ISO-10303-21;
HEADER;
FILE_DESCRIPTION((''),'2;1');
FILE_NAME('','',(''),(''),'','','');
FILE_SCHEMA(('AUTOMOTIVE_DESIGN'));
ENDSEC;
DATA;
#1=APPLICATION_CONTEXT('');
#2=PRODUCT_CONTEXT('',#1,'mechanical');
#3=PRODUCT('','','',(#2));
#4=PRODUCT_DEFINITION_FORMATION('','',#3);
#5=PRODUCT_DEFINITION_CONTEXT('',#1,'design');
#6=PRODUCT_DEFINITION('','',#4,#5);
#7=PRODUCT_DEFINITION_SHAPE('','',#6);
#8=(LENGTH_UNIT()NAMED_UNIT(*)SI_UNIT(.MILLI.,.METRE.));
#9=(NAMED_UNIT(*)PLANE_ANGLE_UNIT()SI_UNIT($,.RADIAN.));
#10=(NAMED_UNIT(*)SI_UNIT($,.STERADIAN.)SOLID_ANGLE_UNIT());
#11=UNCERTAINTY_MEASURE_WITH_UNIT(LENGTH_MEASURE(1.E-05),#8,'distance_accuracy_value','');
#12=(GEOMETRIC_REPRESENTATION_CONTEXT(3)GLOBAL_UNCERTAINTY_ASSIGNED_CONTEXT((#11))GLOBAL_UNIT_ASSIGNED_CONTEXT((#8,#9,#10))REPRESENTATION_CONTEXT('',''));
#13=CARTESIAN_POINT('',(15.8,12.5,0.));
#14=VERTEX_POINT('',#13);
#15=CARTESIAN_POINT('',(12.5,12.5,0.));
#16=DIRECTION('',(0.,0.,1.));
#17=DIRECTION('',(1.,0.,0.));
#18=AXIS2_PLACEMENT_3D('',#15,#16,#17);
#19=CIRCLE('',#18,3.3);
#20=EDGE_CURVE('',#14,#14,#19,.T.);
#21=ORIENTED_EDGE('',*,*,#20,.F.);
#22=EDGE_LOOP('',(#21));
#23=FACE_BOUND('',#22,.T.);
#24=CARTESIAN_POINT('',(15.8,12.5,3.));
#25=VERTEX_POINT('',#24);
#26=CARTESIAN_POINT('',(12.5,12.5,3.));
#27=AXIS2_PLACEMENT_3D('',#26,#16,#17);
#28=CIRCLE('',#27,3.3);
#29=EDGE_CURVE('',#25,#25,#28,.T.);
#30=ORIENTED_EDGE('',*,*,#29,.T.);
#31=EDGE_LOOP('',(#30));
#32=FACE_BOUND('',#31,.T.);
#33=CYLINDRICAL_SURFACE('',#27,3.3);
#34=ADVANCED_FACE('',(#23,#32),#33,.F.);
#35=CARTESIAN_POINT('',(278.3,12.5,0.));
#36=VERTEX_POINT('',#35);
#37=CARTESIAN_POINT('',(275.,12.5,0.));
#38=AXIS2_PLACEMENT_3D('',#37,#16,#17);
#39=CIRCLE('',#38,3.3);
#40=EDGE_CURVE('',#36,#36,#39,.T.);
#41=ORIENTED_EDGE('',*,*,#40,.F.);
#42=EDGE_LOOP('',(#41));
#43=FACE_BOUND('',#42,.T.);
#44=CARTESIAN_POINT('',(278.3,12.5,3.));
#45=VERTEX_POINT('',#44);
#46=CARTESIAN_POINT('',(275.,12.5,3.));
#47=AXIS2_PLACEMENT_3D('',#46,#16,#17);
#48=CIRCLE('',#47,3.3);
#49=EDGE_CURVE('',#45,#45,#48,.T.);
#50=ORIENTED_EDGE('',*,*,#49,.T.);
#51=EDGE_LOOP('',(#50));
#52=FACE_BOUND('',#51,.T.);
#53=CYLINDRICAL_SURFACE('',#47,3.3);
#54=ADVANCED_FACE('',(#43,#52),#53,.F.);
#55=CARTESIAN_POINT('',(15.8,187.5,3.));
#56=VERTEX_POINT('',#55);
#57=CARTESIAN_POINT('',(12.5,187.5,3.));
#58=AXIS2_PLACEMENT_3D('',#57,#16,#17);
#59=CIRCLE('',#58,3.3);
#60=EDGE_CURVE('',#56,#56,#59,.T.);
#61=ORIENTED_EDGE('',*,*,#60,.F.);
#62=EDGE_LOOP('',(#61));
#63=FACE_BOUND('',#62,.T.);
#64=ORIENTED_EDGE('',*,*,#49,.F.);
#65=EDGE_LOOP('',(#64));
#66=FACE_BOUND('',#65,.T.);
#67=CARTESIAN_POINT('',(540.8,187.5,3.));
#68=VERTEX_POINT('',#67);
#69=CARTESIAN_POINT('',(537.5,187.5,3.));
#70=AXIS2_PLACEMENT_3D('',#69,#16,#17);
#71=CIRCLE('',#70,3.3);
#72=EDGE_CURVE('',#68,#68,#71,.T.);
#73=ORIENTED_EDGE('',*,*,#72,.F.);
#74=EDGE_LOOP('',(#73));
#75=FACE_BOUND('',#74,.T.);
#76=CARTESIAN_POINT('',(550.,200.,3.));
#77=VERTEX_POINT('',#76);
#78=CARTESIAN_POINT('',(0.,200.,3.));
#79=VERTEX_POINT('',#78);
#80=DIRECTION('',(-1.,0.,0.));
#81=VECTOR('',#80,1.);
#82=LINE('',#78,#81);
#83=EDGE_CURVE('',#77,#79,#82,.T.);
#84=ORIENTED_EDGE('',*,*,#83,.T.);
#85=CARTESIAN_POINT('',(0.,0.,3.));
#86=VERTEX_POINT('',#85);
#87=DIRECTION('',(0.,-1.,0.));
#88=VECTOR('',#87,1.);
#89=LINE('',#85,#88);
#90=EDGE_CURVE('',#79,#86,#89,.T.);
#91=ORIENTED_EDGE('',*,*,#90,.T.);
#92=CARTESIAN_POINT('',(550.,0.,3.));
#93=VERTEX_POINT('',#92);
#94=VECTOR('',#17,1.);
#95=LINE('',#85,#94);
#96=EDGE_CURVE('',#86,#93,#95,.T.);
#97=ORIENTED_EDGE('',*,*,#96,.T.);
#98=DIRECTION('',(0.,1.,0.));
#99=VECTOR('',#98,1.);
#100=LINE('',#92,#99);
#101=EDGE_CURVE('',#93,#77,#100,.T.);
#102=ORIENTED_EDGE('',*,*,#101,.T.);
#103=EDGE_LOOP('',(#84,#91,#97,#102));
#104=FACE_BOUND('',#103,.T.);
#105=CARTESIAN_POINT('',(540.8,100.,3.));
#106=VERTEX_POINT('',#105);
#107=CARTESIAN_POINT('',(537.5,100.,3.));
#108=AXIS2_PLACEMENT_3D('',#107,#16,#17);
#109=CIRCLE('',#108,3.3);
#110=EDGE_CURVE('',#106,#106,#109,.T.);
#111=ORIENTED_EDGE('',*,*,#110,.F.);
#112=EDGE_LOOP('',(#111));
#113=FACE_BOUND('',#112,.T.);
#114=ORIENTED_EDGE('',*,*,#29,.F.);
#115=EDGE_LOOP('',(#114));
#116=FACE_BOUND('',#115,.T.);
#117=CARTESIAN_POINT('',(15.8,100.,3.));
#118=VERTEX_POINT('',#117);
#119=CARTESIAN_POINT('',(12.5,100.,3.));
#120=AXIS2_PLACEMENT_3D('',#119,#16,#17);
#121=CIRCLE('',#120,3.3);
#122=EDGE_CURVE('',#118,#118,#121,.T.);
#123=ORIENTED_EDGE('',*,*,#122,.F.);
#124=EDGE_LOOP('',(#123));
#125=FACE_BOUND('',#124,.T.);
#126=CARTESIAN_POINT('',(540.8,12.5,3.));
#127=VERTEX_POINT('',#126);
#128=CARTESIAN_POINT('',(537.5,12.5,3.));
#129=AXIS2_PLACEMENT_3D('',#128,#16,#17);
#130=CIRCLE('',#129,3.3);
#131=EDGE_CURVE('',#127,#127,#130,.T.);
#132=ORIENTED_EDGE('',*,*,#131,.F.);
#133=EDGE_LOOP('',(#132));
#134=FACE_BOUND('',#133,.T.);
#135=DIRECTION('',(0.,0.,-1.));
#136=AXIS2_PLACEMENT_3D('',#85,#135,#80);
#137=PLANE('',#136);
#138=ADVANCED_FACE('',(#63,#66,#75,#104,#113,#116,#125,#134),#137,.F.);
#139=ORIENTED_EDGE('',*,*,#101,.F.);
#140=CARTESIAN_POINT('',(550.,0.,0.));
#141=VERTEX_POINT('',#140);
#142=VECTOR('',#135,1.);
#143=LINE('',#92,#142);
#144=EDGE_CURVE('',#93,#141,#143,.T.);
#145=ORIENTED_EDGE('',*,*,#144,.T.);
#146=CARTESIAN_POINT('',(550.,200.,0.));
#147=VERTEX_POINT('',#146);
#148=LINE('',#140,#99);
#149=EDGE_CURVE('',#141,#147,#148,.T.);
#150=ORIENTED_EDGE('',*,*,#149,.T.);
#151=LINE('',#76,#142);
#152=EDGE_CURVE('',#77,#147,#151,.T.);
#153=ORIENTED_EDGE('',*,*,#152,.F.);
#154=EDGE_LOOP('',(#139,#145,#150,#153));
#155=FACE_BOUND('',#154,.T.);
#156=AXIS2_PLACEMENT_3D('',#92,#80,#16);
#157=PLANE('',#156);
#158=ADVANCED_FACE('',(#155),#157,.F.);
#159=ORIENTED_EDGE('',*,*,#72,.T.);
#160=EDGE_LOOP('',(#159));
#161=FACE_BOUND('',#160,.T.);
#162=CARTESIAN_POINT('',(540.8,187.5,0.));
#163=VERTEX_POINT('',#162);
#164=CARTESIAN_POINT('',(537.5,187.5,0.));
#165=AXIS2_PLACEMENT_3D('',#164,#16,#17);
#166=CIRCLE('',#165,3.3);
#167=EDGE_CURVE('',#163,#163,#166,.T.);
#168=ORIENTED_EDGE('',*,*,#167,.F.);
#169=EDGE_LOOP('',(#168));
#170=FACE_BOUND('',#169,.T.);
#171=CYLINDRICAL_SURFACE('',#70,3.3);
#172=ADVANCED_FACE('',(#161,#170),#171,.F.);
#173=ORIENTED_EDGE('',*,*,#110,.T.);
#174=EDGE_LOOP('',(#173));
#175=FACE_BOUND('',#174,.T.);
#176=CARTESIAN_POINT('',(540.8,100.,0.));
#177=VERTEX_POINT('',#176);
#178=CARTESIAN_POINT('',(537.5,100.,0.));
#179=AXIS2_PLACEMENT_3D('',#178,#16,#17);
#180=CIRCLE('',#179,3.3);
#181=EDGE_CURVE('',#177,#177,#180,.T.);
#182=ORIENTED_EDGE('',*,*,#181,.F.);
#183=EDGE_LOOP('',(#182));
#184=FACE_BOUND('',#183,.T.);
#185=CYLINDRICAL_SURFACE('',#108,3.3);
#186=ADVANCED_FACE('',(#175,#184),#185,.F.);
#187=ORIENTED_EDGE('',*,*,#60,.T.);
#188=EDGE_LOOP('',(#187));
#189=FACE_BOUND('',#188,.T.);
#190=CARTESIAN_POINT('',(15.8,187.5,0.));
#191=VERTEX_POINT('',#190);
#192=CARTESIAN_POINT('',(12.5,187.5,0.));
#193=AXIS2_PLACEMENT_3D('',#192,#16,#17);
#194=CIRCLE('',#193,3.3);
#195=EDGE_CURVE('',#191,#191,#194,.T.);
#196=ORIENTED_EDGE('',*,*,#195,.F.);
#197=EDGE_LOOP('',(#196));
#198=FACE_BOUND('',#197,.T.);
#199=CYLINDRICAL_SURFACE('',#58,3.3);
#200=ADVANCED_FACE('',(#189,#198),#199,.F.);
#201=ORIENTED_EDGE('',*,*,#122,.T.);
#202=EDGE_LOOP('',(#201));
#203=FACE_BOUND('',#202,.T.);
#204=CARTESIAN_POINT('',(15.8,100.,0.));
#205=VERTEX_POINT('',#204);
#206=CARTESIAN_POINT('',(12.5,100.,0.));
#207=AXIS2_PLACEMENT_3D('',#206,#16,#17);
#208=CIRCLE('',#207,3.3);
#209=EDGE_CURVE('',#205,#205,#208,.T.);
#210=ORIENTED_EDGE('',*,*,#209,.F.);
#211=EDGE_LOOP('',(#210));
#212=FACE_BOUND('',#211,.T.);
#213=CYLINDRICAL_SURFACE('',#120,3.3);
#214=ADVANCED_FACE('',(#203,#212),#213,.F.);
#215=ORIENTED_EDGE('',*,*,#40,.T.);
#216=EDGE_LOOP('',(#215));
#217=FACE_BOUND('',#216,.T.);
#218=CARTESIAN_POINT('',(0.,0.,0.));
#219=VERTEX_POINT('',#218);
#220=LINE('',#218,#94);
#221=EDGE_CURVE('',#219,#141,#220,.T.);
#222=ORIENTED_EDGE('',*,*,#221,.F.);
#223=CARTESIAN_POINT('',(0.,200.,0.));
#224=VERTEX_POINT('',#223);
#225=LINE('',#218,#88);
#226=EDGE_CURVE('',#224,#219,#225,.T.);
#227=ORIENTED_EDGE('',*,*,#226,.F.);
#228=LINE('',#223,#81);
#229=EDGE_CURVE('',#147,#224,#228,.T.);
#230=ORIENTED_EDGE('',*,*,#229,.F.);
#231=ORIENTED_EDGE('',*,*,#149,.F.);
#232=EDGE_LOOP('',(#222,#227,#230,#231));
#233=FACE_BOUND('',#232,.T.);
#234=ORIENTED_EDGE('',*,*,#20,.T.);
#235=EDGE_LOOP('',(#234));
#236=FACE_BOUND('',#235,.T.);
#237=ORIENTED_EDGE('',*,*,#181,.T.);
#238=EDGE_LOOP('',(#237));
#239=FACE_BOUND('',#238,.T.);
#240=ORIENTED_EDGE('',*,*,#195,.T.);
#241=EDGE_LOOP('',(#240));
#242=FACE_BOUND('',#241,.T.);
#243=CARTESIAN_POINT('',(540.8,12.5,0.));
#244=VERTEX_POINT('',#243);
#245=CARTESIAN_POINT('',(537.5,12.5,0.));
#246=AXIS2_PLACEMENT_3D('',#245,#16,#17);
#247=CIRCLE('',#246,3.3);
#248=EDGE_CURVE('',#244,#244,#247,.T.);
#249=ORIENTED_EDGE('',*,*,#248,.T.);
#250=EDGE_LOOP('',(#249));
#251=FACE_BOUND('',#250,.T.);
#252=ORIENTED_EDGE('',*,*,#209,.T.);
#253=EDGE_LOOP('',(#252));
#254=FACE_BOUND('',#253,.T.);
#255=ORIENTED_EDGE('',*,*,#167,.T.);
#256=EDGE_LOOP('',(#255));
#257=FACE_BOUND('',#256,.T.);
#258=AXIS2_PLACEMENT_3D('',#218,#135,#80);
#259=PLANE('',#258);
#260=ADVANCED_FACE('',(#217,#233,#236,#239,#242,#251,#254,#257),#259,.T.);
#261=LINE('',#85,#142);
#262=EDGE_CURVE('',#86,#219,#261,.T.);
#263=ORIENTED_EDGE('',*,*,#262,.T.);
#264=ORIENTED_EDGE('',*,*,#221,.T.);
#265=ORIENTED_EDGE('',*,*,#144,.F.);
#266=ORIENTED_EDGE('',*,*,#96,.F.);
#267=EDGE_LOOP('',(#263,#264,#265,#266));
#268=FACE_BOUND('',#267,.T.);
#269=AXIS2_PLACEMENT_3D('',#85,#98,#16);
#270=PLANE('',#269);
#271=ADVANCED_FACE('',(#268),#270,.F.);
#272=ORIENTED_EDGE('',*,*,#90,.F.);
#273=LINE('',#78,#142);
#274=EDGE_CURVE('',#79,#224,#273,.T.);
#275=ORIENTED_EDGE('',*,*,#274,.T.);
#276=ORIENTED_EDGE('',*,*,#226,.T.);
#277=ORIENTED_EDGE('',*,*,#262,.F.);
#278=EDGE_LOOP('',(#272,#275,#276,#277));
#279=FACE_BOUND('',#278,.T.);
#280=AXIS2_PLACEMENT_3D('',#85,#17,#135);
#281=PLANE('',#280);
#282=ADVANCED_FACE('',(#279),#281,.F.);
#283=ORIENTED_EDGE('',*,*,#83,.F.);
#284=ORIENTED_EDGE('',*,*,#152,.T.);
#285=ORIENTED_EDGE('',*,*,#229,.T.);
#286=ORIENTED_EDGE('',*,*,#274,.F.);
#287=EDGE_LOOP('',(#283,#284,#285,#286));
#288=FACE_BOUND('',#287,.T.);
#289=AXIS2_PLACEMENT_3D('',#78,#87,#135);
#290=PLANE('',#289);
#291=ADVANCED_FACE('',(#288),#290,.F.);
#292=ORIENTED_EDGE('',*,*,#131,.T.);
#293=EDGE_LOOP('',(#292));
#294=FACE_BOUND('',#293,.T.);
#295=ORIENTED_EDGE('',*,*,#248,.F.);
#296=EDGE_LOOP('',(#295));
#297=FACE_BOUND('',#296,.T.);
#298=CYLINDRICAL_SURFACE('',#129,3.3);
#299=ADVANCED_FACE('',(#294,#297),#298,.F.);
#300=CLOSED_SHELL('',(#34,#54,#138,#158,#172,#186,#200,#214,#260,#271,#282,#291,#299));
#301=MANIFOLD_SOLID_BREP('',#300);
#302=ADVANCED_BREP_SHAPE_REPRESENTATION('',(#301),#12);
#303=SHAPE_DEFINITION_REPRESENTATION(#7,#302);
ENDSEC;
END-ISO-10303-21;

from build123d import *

# Parameters (mm, degrees)
SKETCH1_W            = 550
SKETCH1_H            = 200
BOSS_EXTRUDE1_DEPTH  = 3
M6_CLEARANCE_HOLE1_D = 6.6


with BuildPart() as part:
    # Sketch1 → Boss-Extrude1 (new body)
    with BuildSketch(Plane.XY):
        with Locations((275, 100)):
            Rectangle(SKETCH1_W, SKETCH1_H)
    extrude(amount=BOSS_EXTRUDE1_DEPTH)

    # M6 Clearance Hole1 (through all)
    with Locations(Plane.XY.offset(3)):
        with Locations((12.5, 100), (12.5, 187.5), (12.5, 12.5), (275, 12.5), (537.5, 12.5), (537.5, 100), (537.5, 187.5)):
            Hole(M6_CLEARANCE_HOLE1_D / 2)


solid = part.part
